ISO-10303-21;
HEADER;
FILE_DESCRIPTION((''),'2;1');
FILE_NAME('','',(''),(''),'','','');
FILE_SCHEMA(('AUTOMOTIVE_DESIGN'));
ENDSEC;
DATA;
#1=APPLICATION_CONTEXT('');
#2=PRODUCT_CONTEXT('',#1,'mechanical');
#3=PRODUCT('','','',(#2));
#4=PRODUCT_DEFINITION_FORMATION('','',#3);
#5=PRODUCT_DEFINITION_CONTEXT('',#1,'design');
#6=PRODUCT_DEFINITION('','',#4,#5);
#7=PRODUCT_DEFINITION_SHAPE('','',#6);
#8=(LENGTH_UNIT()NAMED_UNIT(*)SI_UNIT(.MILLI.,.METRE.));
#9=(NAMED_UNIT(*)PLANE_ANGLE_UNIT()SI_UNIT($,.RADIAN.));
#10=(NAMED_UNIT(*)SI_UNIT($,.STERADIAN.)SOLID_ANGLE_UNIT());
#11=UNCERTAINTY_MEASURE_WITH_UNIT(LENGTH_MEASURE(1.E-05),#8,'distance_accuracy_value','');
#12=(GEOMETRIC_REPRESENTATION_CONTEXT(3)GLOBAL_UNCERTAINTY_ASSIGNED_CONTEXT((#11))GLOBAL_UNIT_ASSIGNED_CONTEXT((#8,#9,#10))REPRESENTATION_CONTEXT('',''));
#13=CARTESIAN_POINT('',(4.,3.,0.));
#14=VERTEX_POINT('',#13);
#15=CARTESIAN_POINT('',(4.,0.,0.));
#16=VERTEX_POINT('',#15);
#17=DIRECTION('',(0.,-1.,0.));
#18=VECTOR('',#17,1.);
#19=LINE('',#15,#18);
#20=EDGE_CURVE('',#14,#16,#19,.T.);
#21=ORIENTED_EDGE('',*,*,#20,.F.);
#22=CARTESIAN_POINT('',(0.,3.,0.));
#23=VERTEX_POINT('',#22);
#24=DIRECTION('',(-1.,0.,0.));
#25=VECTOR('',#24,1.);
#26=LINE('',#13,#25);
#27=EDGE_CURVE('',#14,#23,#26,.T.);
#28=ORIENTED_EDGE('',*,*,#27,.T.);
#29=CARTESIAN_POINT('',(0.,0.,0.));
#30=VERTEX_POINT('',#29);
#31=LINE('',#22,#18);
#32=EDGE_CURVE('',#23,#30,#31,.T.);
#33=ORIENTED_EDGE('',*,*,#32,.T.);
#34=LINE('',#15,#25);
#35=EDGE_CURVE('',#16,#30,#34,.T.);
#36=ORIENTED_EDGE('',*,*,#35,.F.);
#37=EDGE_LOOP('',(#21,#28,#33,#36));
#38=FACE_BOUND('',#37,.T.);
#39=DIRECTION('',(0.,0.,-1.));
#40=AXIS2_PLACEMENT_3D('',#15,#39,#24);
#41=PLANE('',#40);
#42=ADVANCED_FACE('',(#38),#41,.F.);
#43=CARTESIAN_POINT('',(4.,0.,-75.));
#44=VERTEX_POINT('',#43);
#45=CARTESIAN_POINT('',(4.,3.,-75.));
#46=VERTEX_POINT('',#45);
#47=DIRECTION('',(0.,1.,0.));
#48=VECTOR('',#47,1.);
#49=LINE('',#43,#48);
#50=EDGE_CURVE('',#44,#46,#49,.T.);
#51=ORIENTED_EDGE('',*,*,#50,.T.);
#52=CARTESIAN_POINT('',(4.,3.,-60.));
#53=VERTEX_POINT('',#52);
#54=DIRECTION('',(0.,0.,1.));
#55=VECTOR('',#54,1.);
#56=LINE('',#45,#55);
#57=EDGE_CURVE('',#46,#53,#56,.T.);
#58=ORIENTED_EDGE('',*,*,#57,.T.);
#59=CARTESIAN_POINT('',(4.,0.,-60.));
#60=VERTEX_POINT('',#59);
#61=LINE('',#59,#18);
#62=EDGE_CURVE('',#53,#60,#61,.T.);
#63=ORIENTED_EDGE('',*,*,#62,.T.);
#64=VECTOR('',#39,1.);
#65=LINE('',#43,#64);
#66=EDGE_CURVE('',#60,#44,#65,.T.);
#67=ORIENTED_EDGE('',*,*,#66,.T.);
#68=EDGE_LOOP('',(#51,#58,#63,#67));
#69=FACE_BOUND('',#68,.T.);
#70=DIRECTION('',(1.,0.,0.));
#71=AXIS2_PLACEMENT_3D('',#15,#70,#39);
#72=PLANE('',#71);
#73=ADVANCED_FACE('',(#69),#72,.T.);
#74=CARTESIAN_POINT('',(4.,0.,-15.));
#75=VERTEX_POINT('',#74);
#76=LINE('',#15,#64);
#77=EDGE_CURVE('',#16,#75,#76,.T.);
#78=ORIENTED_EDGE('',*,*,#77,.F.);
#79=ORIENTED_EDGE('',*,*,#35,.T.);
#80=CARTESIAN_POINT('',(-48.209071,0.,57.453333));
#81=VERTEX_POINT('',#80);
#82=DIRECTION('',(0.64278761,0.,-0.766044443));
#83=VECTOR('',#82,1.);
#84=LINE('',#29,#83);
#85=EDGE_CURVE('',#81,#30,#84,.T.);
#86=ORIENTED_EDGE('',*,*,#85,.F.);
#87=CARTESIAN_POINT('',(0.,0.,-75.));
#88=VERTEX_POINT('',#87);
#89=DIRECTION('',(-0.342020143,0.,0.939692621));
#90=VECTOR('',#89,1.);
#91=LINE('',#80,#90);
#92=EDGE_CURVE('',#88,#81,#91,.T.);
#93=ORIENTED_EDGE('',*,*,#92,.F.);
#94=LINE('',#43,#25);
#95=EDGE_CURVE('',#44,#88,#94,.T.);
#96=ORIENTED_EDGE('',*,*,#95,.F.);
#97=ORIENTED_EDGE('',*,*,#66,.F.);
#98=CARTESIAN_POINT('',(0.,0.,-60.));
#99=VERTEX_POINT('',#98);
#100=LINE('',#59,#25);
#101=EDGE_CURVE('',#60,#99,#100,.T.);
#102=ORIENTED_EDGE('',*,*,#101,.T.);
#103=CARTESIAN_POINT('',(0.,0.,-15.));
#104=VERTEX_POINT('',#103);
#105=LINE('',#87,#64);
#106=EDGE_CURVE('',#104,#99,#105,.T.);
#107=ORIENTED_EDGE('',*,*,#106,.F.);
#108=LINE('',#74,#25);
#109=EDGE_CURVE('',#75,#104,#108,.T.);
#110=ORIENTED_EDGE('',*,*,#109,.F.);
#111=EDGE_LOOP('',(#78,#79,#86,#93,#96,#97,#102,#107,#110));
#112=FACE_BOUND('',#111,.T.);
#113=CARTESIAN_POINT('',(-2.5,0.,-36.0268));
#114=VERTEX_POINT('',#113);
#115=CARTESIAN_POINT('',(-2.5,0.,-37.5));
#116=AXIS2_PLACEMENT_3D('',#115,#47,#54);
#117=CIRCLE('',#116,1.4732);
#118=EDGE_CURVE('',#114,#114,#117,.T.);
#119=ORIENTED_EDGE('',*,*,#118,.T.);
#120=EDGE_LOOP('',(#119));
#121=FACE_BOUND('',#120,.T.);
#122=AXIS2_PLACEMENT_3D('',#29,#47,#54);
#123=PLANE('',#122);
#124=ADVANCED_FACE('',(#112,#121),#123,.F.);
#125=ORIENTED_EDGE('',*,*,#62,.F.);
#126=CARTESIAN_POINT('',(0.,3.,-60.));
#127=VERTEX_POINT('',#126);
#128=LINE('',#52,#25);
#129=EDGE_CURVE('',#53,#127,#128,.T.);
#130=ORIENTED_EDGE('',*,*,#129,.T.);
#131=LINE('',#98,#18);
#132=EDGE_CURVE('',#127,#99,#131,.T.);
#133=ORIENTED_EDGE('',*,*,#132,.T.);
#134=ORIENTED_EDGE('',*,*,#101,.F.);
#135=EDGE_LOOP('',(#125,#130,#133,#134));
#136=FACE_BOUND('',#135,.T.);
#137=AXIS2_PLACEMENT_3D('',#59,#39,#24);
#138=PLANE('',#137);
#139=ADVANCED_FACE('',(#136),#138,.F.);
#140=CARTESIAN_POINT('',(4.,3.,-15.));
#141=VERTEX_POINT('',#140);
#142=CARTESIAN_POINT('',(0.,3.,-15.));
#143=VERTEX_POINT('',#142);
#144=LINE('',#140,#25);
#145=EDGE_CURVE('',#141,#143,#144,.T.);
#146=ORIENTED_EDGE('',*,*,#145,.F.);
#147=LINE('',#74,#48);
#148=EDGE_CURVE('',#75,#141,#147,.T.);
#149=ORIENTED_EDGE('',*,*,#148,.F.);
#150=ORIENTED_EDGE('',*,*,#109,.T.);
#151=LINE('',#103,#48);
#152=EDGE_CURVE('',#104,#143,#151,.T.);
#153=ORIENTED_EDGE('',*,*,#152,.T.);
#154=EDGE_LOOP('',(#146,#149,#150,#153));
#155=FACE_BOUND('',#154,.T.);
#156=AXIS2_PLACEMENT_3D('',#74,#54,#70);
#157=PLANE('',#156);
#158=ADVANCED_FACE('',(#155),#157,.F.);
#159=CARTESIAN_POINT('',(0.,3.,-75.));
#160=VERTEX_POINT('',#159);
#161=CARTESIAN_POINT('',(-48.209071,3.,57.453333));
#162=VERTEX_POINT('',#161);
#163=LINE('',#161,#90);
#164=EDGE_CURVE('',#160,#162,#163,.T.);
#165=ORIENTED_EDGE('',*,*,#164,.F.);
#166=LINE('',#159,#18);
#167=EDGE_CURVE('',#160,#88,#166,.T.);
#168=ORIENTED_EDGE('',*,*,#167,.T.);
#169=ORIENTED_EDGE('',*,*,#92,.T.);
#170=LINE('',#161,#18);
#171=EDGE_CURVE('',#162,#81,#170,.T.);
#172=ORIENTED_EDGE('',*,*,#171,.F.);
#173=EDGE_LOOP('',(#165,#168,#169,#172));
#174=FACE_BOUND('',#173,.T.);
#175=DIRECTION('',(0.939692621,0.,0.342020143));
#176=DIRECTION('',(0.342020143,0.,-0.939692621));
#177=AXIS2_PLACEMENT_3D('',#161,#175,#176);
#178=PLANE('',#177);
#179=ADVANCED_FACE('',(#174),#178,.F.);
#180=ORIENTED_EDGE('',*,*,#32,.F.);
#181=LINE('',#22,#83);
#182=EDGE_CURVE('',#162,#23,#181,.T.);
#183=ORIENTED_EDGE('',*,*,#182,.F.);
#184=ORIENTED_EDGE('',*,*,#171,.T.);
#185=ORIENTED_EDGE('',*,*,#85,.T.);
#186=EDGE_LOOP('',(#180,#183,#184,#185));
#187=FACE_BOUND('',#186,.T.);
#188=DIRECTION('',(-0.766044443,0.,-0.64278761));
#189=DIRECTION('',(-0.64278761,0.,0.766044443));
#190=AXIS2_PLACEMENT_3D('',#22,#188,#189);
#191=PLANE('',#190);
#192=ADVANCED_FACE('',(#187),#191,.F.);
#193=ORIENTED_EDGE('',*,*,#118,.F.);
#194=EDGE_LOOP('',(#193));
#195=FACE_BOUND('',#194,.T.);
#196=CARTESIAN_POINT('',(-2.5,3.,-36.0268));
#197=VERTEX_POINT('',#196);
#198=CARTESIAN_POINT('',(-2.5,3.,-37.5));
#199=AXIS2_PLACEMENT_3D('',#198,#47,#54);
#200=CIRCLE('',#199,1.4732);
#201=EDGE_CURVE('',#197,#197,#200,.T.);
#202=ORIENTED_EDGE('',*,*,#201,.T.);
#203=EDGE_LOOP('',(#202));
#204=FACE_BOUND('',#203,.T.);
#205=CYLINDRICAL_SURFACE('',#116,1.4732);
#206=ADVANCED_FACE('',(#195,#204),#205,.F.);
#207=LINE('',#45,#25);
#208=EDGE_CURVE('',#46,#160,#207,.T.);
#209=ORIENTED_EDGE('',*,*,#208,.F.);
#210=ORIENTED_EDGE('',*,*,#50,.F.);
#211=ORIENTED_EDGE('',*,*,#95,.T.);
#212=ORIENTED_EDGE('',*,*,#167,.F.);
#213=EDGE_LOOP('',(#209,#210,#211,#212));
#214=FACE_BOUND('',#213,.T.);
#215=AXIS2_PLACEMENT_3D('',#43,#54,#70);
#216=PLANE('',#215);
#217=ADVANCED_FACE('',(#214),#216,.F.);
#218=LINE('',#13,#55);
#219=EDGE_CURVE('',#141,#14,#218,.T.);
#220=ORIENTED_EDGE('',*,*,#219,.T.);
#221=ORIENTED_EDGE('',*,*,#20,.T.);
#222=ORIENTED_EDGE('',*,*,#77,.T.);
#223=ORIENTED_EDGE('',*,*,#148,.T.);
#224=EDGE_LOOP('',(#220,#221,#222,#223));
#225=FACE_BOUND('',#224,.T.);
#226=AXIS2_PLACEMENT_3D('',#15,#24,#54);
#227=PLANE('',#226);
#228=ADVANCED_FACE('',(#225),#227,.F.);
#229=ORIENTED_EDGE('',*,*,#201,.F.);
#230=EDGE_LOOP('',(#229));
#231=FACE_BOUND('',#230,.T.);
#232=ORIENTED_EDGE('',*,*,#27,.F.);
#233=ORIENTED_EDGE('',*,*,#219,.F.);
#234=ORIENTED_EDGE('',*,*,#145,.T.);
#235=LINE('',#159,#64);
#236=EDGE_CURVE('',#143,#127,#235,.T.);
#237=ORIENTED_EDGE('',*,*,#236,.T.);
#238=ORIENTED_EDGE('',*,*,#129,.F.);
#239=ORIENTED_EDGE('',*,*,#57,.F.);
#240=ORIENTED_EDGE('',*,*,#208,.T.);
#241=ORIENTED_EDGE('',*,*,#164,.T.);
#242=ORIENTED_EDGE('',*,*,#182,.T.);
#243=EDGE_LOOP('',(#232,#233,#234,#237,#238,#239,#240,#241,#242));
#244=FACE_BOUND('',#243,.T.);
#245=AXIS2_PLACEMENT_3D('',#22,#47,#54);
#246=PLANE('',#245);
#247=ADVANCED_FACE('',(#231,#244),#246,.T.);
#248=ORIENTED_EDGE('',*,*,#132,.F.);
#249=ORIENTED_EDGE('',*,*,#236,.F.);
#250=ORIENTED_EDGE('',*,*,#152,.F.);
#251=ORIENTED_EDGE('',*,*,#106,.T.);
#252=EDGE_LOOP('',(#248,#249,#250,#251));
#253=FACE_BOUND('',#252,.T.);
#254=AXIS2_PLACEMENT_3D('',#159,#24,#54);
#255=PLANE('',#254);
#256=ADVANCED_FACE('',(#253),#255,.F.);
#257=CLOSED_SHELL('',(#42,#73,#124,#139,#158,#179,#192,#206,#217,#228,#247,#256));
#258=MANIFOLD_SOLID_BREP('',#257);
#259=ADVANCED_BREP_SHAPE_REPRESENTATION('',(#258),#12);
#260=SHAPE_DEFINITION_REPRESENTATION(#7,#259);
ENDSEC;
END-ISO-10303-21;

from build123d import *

# Parameters (mm, degrees)
BOSS_EXTRUDE1_DEPTH = 3
SKETCH2_W           = 15
SKETCH2_H           = 3
BOSS_EXTRUDE2_DEPTH = 4
SKETCH3_R           = 1.4732
CUT_EXTRUDE1_DEPTH  = 4


with BuildPart() as part:
    # Sketch1 → Boss-Extrude1 (new body)
    with BuildSketch(Plane(origin=(0, 0, 0), x_dir=(1, 0, 0), z_dir=(0, 1, 0))):
        Polygon((-48.209070726, -57.453333234), (0, 75), (0, 0), align=None)
    extrude(amount=BOSS_EXTRUDE1_DEPTH)

    # Sketch2 → Boss-Extrude2 (add)
    with BuildSketch(Plane(origin=(0, 0, 0), x_dir=(0, 0, -1), z_dir=(1, 0, 0))):
        with Locations((7.5, 1.5)):
            Rectangle(SKETCH2_W, SKETCH2_H)
        with Locations((67.5, 1.5)):
            Rectangle(SKETCH2_W, SKETCH2_H)
    extrude(amount=BOSS_EXTRUDE2_DEPTH)

    # Sketch3 → Cut-Extrude1 (cut, through all)
    with BuildSketch(Plane(origin=(0, 3, 0), x_dir=(1, 0, 0), z_dir=(0, 1, 0))):
        with Locations((-2.5, 37.5)):
            Circle(SKETCH3_R)
    extrude(amount=-CUT_EXTRUDE1_DEPTH, mode=Mode.SUBTRACT)


solid = part.part
